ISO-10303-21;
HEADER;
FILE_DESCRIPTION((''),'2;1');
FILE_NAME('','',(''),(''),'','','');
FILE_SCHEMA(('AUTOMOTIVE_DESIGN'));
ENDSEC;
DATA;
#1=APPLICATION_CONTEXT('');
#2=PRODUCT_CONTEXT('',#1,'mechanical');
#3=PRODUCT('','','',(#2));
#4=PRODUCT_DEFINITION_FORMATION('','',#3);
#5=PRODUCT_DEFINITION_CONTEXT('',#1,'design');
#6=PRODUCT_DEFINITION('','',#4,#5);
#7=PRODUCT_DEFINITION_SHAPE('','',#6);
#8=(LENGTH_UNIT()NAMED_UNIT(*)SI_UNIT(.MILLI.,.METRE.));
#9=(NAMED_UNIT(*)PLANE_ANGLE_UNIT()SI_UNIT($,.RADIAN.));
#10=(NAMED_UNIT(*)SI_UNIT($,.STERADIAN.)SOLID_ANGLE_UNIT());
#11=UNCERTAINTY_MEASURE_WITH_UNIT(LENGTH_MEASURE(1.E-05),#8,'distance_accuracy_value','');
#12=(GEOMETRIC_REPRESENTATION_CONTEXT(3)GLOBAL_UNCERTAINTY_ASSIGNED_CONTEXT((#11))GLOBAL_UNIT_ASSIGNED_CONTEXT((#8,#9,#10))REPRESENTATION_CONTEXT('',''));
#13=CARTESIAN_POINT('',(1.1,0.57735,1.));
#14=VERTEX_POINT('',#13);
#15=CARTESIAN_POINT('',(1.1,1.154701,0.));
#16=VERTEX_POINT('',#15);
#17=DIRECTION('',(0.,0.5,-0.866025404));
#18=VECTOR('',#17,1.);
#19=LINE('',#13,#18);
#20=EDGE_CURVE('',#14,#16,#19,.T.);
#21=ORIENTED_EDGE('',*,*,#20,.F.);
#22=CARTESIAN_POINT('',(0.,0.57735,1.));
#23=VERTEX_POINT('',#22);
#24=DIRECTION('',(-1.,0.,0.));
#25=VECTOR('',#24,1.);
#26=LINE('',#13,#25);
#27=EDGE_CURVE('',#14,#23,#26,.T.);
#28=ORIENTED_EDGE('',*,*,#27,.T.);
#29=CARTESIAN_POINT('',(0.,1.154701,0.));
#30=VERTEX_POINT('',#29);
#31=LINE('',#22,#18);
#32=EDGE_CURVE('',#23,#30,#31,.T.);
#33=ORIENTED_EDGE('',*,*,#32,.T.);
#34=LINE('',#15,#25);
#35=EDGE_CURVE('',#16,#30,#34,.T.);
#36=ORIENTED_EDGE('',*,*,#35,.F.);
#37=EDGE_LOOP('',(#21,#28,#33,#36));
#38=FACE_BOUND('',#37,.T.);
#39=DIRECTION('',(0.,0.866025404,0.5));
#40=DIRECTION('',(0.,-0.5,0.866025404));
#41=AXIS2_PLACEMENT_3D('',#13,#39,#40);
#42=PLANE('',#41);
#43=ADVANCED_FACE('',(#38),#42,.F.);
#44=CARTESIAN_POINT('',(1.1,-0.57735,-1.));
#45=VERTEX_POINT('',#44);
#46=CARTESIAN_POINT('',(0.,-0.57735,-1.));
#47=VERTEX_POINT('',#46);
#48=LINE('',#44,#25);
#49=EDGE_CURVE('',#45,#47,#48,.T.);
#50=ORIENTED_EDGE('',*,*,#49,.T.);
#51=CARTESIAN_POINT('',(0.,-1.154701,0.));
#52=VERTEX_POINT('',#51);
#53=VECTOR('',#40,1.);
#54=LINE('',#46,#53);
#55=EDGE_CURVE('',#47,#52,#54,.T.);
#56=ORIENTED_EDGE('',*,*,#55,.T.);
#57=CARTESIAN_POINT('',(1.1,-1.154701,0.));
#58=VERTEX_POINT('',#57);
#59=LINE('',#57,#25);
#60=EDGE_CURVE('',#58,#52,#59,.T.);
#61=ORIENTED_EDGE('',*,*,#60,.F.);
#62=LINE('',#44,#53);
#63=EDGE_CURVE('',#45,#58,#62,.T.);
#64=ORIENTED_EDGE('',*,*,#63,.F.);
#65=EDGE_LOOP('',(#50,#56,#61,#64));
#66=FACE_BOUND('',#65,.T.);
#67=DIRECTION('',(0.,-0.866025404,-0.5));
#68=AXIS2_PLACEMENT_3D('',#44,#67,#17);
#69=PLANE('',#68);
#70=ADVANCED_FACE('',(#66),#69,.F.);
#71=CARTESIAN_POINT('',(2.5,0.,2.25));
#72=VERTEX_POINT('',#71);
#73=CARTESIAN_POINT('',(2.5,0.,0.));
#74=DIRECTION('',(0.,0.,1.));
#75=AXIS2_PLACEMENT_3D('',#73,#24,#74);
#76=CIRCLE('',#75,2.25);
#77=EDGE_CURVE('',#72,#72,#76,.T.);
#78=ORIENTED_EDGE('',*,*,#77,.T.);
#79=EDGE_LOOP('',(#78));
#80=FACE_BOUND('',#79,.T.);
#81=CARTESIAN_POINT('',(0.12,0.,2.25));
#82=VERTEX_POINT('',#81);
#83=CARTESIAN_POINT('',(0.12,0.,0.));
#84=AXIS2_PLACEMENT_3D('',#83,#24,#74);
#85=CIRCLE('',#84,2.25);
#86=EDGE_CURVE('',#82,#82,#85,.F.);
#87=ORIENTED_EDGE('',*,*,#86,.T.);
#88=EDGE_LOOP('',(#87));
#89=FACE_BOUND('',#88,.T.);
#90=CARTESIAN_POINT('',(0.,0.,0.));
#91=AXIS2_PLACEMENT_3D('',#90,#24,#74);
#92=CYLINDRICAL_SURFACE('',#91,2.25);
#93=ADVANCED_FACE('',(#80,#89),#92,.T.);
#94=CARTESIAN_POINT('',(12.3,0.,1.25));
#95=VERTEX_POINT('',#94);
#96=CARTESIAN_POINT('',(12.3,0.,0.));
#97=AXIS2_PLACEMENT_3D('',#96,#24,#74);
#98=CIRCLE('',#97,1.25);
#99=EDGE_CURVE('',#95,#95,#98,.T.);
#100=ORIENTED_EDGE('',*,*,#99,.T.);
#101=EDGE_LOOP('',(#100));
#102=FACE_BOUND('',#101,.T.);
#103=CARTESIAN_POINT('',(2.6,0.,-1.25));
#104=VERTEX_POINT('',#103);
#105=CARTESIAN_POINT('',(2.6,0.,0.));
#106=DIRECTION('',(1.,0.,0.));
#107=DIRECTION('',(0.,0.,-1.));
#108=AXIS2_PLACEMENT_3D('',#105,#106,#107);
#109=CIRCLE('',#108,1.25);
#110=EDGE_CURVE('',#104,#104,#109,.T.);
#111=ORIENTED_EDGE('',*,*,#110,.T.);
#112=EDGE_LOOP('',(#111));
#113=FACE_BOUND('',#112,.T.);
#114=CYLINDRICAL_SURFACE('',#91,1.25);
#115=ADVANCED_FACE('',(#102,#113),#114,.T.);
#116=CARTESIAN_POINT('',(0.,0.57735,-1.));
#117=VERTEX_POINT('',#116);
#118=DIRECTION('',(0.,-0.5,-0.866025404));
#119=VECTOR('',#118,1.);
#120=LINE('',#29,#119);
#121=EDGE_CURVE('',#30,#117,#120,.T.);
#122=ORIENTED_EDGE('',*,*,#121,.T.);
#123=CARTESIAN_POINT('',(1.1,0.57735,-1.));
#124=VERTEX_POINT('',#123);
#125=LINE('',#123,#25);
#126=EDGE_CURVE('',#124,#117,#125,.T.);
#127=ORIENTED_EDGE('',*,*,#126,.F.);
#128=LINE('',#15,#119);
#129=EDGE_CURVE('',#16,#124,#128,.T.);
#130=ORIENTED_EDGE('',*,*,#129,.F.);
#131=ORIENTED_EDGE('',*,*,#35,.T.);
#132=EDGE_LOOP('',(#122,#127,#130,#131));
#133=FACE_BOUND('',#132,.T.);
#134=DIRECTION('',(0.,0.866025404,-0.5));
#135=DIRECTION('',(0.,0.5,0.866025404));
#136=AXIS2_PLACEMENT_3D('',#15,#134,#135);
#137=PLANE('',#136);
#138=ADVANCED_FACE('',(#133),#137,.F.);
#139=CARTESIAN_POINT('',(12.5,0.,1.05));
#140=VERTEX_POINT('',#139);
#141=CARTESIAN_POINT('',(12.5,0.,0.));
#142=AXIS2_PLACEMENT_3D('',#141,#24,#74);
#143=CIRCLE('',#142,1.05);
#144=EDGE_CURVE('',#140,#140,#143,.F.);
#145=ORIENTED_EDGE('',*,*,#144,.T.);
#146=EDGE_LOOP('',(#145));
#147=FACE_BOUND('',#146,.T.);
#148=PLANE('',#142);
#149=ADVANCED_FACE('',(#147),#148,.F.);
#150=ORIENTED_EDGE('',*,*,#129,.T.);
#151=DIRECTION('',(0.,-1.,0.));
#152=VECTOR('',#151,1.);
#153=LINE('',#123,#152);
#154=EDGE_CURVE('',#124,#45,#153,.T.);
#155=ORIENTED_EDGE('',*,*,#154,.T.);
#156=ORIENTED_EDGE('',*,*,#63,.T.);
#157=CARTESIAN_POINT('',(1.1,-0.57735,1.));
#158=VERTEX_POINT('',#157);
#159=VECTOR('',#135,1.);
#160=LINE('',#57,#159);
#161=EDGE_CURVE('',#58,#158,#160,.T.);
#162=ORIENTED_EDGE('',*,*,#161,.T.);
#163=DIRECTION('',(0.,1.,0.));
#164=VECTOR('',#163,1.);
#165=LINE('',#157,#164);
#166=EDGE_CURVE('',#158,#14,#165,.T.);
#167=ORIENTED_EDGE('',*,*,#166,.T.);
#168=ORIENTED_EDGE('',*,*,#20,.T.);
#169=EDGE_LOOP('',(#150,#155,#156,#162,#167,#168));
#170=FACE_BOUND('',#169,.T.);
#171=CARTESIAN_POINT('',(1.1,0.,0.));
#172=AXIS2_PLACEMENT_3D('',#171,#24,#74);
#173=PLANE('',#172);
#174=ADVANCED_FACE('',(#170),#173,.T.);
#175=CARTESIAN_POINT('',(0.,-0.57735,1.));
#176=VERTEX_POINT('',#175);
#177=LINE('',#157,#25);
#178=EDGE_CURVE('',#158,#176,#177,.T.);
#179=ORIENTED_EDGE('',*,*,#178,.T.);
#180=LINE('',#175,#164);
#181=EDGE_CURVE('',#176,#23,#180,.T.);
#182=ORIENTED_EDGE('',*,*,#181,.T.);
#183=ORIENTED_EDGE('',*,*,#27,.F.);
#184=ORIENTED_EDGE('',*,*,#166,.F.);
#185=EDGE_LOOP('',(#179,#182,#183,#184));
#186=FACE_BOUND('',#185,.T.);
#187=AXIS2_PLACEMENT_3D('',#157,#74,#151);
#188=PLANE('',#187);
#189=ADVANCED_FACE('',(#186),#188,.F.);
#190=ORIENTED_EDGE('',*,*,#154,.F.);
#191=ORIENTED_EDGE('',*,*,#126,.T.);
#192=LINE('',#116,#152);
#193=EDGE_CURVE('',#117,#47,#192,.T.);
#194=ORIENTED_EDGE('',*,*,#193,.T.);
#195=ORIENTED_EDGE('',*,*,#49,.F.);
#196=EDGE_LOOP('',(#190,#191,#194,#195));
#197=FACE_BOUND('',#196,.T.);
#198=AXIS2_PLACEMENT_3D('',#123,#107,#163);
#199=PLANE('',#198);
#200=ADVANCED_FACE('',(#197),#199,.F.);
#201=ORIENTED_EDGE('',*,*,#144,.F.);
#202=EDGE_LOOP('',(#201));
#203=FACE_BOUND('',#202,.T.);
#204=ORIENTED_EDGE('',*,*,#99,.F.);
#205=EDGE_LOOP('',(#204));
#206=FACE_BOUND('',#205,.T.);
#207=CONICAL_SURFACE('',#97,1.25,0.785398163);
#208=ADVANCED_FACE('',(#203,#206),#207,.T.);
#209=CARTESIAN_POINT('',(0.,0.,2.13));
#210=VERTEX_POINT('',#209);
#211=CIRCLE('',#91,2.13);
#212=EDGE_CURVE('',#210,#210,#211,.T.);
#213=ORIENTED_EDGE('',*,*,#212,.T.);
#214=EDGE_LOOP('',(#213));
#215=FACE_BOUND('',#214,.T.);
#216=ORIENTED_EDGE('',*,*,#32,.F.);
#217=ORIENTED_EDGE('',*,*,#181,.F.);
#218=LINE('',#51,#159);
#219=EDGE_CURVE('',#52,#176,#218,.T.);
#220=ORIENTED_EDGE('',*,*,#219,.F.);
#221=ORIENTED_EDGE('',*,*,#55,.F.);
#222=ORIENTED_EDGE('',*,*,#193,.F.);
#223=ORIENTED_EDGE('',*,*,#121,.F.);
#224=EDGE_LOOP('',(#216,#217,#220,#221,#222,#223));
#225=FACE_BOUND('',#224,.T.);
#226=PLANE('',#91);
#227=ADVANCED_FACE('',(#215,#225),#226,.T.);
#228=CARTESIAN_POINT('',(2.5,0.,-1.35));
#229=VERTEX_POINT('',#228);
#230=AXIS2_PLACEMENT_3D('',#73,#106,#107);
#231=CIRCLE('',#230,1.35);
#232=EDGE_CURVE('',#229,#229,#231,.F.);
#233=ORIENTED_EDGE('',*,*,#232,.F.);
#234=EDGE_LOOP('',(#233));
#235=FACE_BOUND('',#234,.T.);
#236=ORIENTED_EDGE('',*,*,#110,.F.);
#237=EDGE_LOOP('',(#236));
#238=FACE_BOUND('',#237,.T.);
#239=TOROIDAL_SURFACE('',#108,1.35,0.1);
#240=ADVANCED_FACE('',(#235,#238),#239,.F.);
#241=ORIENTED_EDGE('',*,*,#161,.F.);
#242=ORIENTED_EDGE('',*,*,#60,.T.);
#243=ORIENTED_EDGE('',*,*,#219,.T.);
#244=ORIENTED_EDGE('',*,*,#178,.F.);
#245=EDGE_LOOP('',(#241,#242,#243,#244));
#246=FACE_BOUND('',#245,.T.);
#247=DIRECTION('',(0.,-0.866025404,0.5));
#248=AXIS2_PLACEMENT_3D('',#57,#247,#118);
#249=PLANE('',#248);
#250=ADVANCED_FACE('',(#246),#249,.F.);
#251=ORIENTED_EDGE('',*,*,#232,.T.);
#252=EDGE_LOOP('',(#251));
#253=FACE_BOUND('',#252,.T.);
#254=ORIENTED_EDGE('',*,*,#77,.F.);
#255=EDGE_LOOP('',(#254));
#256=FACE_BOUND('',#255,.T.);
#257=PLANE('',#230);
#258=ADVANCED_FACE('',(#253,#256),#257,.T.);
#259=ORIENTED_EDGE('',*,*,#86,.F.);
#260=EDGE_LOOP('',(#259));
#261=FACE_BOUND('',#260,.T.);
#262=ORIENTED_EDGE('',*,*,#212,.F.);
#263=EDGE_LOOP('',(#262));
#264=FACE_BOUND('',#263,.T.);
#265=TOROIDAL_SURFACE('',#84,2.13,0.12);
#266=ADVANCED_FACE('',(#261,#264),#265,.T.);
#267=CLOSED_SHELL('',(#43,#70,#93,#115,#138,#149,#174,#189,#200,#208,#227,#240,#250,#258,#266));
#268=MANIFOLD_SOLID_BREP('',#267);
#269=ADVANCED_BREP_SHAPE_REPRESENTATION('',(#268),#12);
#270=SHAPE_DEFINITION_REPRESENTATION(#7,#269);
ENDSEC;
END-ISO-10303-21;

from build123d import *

# Parameters (mm, degrees)
FILLET1_R      = 0.1
FILLET2_R      = 0.12
CHAMFER1_SIZE  = 0.2
EXTRUDE1_DEPTH = 1.1


with BuildPart() as part:
    # Sketch1 → Revolve1 (revolve)
    with BuildSketch(Plane.XY, mode=Mode.PRIVATE) as revolve1_sk:
        Polygon((2.5, 1.25), (2.5, 0), (4.279914881, 0), (12.5, 0), (12.5, 1.25), align=None)
        Polygon((0, 2.25), (0, 0), (2.5, 0), (2.5, 1.25), (2.5, 2.25), align=None)
    revolve(revolve1_sk.sketch.rotate(Axis((0, 0, 0), (1, 0, 0)), 90), axis=Axis((0, 0, 0), (1, 0, 0)))

    # Fillet1
    fillet1_edges = [part.edges().sort_by_distance(p)[0] for p in [
        (2.5, 0, -1.25),
    ]]
    fillet(fillet1_edges, radius=FILLET1_R)

    # Fillet2
    fillet2_edges = [part.edges().sort_by_distance(p)[0] for p in [
        (0, 0, -2.25),
    ]]
    fillet(fillet2_edges, radius=FILLET2_R)

    # Chamfer1
    chamfer1_edges = [part.edges().sort_by_distance(p)[0] for p in [
        (12.5, 0, -1.25),
    ]]
    chamfer(chamfer1_edges, length=CHAMFER1_SIZE)

    # Sketch2 → Extrude1 (cut)
    with BuildSketch(Plane.ZY):
        Polygon((0, 1.154700538), (-1, 0.577350269), (-1, -0.577350269), (0, -1.154700538), (1, -0.577350269), (1, 0.577350269), align=None)
    extrude(amount=-EXTRUDE1_DEPTH, mode=Mode.SUBTRACT)


solid = part.part
